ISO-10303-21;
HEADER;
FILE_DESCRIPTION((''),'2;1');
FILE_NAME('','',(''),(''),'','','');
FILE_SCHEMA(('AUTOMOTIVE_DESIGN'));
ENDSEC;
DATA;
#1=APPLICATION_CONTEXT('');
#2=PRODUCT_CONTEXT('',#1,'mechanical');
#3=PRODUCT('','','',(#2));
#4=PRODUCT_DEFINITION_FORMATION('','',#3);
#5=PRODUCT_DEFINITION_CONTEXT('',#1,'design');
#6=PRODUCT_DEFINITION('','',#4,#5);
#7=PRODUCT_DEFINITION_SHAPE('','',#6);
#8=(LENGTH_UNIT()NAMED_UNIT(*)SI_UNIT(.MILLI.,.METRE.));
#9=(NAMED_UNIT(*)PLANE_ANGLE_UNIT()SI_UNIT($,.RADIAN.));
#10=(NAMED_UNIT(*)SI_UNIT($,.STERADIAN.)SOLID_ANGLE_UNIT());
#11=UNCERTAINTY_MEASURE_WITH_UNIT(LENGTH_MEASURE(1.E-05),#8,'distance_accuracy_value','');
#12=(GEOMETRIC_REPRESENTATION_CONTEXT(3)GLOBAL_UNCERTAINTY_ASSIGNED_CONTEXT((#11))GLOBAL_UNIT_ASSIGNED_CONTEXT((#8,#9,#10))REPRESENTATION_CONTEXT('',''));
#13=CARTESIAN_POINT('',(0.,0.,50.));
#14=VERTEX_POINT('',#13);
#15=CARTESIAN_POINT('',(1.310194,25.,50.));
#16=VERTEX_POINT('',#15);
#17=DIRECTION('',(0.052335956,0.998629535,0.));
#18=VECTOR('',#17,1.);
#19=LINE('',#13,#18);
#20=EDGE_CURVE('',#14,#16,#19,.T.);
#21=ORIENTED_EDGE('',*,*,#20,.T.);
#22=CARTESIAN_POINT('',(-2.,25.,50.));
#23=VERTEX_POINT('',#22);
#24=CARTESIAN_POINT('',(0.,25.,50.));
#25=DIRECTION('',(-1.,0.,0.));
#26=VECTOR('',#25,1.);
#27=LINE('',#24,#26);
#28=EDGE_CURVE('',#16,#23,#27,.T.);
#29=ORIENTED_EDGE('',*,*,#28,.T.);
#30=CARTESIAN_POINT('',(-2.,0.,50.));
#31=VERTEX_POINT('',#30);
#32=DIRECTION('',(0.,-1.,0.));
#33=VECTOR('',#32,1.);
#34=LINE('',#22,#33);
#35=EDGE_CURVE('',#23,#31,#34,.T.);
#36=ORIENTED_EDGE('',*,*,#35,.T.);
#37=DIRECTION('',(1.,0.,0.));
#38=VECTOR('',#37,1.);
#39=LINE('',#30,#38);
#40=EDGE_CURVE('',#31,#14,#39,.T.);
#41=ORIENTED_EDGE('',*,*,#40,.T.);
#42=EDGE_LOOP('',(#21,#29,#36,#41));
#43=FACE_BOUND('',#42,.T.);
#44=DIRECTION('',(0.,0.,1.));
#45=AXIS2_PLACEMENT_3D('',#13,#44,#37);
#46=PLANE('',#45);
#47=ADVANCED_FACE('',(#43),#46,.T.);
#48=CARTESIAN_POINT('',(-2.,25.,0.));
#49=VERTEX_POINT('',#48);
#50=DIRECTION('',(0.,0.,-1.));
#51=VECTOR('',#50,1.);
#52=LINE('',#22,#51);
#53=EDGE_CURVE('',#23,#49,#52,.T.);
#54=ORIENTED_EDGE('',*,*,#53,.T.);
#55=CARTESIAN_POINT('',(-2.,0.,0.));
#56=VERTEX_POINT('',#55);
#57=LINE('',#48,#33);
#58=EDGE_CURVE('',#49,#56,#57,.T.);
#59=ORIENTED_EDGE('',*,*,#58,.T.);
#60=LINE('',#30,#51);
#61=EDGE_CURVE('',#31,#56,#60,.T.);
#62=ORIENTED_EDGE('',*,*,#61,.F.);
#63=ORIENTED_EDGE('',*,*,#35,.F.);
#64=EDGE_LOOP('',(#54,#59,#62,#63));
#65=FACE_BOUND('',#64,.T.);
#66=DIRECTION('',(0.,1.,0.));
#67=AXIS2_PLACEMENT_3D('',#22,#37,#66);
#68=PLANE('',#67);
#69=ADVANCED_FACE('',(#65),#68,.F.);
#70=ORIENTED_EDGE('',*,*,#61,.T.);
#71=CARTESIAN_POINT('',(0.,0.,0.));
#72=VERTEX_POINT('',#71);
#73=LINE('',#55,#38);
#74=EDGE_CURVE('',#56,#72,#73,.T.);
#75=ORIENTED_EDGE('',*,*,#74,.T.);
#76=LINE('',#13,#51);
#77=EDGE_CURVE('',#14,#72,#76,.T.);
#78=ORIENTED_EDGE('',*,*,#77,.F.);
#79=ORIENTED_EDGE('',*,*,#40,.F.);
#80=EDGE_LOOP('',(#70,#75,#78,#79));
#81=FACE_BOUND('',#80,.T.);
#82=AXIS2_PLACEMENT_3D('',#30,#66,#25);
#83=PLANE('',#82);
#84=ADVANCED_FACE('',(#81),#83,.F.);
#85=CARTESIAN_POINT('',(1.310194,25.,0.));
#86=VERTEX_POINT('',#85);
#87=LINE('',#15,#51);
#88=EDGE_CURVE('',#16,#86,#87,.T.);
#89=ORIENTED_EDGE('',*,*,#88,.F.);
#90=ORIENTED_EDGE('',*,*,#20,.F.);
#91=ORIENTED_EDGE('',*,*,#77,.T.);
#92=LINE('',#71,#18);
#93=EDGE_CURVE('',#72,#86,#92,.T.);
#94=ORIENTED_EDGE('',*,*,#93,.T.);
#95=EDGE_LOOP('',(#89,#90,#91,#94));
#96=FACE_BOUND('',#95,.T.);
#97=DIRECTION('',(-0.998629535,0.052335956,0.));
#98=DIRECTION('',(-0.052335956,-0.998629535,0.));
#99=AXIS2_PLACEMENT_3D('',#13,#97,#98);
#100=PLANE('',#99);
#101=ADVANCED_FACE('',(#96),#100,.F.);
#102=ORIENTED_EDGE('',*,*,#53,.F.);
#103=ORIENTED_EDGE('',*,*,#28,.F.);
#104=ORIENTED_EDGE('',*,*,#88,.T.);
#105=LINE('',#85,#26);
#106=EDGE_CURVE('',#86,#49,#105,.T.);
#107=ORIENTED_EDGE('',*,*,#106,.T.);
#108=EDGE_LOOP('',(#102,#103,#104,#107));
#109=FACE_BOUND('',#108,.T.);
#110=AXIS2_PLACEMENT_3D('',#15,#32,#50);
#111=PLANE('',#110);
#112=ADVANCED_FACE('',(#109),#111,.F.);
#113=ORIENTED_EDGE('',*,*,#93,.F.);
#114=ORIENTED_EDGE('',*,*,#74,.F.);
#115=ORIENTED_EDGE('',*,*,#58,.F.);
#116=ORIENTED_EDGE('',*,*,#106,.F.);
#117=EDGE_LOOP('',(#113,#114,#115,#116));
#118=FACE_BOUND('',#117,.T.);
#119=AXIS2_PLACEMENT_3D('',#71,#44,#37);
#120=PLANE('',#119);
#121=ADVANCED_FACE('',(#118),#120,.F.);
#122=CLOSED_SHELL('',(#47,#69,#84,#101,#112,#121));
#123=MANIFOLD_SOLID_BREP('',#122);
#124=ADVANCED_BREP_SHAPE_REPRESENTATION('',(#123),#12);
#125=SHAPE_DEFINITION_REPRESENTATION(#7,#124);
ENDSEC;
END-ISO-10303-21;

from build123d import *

# Parameters (mm, degrees)
BOSS_EXTRUDE1_DEPTH = 50


with BuildPart() as part:
    # Sketch1 → Boss-Extrude1 (new body)
    with BuildSketch(Plane.XY):
        Polygon((0, 0), (1.310194482, 25), (0, 25), (-2, 25), (-2, 0), align=None)
    extrude(amount=BOSS_EXTRUDE1_DEPTH)


solid = part.part
